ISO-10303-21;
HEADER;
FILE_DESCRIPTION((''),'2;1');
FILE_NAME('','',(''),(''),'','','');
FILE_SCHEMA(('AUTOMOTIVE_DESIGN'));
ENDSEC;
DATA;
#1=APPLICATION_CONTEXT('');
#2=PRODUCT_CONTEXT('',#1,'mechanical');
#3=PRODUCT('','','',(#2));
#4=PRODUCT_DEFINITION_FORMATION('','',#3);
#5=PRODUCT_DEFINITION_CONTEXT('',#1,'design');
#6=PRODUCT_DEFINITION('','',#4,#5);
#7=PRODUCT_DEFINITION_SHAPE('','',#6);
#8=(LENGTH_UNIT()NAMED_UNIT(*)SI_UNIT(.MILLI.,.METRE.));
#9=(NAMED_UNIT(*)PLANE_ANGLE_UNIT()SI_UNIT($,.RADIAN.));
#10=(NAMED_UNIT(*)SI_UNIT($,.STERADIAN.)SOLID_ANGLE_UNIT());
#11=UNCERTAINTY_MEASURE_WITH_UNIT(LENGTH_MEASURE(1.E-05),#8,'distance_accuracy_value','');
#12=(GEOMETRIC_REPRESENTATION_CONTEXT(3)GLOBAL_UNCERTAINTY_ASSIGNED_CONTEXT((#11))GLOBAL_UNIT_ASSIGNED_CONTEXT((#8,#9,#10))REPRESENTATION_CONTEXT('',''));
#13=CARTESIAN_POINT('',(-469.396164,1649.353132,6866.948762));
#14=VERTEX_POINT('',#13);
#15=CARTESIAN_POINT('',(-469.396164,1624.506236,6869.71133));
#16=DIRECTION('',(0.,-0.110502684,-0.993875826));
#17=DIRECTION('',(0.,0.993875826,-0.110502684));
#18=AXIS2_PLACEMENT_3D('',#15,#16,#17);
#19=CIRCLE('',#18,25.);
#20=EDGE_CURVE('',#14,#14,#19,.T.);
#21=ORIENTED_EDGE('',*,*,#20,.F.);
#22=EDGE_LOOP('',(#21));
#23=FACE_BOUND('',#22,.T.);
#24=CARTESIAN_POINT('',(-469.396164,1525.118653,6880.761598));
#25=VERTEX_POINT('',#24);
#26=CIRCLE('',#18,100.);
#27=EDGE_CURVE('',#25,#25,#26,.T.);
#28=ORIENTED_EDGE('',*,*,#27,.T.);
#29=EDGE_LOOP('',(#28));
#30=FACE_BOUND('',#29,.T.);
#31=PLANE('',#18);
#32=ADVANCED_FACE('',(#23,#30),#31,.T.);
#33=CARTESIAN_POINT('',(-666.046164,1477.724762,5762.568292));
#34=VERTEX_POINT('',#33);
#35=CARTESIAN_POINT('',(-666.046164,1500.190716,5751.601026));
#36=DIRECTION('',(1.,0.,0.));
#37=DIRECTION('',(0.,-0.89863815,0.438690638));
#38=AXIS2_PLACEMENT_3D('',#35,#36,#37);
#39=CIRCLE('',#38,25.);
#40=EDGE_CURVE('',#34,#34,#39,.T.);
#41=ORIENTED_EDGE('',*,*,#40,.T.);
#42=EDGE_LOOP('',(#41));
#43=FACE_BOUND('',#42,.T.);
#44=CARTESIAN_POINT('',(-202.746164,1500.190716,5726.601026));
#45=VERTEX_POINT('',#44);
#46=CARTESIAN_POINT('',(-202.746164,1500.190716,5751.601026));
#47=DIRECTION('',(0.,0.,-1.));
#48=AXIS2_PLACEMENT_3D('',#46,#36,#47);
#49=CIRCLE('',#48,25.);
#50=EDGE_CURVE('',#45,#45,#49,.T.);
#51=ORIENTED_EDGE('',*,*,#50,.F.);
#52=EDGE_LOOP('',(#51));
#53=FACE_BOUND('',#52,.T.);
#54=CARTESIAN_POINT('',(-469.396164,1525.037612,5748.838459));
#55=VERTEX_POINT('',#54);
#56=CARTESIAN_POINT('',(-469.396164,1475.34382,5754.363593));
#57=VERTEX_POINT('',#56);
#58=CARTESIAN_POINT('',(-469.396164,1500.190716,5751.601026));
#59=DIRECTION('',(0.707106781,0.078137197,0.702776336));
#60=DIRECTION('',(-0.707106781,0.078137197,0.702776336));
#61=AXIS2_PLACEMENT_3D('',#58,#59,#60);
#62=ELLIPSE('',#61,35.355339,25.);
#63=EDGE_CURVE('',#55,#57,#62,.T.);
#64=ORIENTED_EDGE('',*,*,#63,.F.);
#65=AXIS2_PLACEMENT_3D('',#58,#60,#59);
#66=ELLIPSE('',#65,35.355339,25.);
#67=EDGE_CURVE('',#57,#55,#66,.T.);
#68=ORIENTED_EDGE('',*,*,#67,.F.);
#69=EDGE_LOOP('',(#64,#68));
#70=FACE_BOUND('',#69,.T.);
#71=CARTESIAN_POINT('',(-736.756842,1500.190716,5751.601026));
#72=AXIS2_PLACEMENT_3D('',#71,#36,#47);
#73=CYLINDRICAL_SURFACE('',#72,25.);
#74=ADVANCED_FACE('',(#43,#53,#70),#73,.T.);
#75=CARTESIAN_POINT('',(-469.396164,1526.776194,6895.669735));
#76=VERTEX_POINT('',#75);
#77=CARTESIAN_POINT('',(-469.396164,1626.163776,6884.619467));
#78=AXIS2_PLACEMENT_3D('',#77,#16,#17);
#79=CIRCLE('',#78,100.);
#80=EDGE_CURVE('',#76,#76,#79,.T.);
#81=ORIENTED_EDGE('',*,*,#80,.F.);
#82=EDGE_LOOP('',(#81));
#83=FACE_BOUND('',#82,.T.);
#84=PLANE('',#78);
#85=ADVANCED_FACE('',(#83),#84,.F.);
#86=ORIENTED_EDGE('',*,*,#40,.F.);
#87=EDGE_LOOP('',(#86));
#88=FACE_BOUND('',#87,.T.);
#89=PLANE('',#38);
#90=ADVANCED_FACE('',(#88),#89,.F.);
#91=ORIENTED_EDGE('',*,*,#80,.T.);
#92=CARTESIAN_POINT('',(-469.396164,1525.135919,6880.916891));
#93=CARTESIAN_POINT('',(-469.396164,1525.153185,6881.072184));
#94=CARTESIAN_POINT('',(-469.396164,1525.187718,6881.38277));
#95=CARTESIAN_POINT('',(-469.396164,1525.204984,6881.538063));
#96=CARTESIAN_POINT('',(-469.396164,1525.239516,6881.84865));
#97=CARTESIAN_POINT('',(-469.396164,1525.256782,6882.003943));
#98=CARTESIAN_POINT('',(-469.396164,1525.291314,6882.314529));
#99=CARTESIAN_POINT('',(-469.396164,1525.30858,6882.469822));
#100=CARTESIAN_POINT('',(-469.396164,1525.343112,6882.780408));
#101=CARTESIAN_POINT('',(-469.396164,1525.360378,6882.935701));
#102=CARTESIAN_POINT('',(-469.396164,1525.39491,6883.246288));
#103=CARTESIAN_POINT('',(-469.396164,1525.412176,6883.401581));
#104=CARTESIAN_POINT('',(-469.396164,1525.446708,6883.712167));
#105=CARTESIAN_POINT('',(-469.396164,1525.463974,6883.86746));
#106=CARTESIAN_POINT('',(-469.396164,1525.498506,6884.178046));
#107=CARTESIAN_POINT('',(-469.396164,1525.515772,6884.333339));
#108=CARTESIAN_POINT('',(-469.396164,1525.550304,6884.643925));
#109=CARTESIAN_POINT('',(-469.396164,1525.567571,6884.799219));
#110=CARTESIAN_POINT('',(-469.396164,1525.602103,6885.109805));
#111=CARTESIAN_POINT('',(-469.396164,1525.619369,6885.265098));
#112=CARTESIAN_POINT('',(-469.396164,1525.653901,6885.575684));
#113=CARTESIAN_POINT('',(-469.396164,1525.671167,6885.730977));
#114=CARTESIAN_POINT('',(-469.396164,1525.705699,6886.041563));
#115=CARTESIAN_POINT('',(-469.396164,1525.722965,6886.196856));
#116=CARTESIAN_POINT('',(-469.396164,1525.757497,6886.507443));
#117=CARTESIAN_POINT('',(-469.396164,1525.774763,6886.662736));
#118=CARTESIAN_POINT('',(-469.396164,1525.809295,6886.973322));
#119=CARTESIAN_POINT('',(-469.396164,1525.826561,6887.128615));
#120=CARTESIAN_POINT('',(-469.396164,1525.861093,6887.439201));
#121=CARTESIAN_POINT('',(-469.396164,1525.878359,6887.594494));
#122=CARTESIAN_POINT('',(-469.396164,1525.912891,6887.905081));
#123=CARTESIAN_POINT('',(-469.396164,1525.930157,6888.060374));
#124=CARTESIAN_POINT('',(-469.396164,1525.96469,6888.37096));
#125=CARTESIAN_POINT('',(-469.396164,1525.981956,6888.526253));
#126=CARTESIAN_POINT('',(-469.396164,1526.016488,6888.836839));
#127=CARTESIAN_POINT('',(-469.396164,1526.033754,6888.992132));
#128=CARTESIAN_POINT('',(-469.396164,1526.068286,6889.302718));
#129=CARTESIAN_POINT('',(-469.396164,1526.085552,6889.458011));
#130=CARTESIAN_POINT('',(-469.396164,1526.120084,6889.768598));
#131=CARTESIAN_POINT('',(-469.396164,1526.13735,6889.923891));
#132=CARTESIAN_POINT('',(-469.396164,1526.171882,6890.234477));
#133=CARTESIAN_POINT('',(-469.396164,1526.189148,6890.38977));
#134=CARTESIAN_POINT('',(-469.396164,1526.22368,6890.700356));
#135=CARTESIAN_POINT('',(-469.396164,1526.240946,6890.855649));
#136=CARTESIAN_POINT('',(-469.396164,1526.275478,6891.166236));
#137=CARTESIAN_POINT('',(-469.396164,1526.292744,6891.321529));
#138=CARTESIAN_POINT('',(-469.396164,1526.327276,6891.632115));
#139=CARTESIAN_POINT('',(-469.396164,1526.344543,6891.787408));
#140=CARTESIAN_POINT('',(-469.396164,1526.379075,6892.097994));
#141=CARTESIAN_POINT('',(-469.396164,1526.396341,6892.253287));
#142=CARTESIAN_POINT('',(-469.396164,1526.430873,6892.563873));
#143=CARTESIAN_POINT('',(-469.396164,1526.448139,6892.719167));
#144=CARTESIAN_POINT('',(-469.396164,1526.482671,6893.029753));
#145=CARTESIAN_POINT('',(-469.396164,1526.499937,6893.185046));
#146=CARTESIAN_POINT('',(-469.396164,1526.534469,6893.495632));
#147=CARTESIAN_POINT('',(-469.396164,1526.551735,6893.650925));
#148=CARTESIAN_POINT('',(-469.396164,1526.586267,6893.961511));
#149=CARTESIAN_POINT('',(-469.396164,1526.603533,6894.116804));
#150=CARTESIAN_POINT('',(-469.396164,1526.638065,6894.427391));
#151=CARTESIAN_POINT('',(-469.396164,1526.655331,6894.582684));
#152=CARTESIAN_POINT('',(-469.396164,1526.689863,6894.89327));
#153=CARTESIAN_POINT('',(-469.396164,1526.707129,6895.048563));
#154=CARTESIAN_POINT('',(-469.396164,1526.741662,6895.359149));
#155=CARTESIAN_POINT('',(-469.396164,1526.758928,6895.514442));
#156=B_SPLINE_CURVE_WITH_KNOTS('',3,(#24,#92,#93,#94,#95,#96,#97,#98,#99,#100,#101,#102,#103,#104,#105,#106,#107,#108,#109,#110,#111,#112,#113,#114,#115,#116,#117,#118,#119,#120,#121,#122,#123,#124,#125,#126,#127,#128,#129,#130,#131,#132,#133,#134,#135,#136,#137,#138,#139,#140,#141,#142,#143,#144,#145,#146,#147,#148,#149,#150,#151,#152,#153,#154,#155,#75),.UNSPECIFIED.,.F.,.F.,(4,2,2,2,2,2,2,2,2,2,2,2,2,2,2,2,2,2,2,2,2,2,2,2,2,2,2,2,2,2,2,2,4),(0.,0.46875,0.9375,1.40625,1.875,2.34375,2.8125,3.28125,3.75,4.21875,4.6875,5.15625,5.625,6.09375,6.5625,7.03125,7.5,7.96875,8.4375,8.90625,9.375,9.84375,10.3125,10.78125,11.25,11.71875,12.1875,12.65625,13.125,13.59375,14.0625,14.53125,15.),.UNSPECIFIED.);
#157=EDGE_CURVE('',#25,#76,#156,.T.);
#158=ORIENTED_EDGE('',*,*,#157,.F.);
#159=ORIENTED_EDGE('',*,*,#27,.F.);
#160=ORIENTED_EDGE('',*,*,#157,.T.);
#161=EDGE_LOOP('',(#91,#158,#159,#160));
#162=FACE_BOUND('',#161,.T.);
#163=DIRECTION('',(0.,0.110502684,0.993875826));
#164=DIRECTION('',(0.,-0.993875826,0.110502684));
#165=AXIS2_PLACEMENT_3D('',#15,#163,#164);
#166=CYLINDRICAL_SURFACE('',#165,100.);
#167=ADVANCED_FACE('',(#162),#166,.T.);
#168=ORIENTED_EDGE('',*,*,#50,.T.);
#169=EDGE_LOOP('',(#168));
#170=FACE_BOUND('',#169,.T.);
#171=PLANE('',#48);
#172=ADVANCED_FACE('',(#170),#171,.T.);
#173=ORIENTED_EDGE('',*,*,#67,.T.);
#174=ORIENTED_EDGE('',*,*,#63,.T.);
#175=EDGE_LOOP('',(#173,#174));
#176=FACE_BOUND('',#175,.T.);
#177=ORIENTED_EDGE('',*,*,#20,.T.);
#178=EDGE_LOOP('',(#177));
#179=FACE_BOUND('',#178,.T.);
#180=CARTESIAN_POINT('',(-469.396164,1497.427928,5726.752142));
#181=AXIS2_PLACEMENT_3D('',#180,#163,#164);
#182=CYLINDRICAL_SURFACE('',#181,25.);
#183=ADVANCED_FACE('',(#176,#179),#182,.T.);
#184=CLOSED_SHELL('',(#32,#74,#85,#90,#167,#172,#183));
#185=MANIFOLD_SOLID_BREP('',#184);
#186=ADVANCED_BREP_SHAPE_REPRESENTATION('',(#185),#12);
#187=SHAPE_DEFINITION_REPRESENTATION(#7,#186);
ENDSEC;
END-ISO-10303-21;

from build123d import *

# Parameters (mm, degrees)
CROQUIS3_R                   = 25
SALIENTE_EXTRUIR1_DEPTH      = 463.3
CROQUIS5_R                   = 100
SALIENTE_EXTRUIR2_DEPTH      = 15
SALIENTE_EXTRUIR3_REACH      = 1699.123
SALIENTE_EXTRUIR3_END_RADIUS = 25
CROQUIS6_R                   = 25


with BuildPart() as part:
    # Croquis3 → Saliente-Extruir1 (new body)
    with BuildSketch(Plane(origin=(-202.746163562, 0, 0), x_dir=(0, 0, -1), z_dir=(1, 0, 0))):
        with Locations((-5751.601025747, 1500.190716107)):
            Circle(CROQUIS3_R)
    extrude(amount=-SALIENTE_EXTRUIR1_DEPTH)



with BuildPart() as body_2:
    # Croquis5 → Saliente-Extruir2 (new body)
    with BuildSketch(Plane(origin=(0, 775.966680828, 6979.147433935), x_dir=(1, 0, 0), z_dir=(0, -0.11050268429861657, -0.9938758256255157))):
        with Locations(Location((-469.396163562, -855.435934207, 0), (0, 0, 90))):
            Circle(CROQUIS5_R)
    extrude(amount=SALIENTE_EXTRUIR2_DEPTH)


with BuildPart() as part_1:
    add(part.part)

    add(body_2.part)  # Saliente-Extruir3 merges body 2
    # Saliente-Extruir3: up to this cylinder (the profile starts outside it)
    saliente_extruir3_end = Plane(origin=(-469.396164, 1500.190716107, 5751.601025747), z_dir=(1, 0, 0)) * Cylinder(SALIENTE_EXTRUIR3_END_RADIUS, 3449.246, mode=Mode.PRIVATE)
    # Croquis6 → Saliente-Extruir3 (add, up to the surface)
    with BuildSketch(Plane(origin=(0, 774.309140563, 6964.239296551), x_dir=(1, 0, 0), z_dir=(0, -0.11050268429861657, -0.9938758256255156)), mode=Mode.PRIVATE) as saliente_extruir3_sk1:
        with Locations(Location((-469.396163562, -855.435934207, 0), (0, 0, 270))):
            Circle(CROQUIS6_R)
    saliente_extruir3_tool1 = extrude(saliente_extruir3_sk1.sketch, amount=SALIENTE_EXTRUIR3_REACH, mode=Mode.PRIVATE) - saliente_extruir3_end
    add(saliente_extruir3_tool1.solids().sort_by_distance((-469.396164, 1624.506236, 6869.71133))[0])


solid = part_1.part
